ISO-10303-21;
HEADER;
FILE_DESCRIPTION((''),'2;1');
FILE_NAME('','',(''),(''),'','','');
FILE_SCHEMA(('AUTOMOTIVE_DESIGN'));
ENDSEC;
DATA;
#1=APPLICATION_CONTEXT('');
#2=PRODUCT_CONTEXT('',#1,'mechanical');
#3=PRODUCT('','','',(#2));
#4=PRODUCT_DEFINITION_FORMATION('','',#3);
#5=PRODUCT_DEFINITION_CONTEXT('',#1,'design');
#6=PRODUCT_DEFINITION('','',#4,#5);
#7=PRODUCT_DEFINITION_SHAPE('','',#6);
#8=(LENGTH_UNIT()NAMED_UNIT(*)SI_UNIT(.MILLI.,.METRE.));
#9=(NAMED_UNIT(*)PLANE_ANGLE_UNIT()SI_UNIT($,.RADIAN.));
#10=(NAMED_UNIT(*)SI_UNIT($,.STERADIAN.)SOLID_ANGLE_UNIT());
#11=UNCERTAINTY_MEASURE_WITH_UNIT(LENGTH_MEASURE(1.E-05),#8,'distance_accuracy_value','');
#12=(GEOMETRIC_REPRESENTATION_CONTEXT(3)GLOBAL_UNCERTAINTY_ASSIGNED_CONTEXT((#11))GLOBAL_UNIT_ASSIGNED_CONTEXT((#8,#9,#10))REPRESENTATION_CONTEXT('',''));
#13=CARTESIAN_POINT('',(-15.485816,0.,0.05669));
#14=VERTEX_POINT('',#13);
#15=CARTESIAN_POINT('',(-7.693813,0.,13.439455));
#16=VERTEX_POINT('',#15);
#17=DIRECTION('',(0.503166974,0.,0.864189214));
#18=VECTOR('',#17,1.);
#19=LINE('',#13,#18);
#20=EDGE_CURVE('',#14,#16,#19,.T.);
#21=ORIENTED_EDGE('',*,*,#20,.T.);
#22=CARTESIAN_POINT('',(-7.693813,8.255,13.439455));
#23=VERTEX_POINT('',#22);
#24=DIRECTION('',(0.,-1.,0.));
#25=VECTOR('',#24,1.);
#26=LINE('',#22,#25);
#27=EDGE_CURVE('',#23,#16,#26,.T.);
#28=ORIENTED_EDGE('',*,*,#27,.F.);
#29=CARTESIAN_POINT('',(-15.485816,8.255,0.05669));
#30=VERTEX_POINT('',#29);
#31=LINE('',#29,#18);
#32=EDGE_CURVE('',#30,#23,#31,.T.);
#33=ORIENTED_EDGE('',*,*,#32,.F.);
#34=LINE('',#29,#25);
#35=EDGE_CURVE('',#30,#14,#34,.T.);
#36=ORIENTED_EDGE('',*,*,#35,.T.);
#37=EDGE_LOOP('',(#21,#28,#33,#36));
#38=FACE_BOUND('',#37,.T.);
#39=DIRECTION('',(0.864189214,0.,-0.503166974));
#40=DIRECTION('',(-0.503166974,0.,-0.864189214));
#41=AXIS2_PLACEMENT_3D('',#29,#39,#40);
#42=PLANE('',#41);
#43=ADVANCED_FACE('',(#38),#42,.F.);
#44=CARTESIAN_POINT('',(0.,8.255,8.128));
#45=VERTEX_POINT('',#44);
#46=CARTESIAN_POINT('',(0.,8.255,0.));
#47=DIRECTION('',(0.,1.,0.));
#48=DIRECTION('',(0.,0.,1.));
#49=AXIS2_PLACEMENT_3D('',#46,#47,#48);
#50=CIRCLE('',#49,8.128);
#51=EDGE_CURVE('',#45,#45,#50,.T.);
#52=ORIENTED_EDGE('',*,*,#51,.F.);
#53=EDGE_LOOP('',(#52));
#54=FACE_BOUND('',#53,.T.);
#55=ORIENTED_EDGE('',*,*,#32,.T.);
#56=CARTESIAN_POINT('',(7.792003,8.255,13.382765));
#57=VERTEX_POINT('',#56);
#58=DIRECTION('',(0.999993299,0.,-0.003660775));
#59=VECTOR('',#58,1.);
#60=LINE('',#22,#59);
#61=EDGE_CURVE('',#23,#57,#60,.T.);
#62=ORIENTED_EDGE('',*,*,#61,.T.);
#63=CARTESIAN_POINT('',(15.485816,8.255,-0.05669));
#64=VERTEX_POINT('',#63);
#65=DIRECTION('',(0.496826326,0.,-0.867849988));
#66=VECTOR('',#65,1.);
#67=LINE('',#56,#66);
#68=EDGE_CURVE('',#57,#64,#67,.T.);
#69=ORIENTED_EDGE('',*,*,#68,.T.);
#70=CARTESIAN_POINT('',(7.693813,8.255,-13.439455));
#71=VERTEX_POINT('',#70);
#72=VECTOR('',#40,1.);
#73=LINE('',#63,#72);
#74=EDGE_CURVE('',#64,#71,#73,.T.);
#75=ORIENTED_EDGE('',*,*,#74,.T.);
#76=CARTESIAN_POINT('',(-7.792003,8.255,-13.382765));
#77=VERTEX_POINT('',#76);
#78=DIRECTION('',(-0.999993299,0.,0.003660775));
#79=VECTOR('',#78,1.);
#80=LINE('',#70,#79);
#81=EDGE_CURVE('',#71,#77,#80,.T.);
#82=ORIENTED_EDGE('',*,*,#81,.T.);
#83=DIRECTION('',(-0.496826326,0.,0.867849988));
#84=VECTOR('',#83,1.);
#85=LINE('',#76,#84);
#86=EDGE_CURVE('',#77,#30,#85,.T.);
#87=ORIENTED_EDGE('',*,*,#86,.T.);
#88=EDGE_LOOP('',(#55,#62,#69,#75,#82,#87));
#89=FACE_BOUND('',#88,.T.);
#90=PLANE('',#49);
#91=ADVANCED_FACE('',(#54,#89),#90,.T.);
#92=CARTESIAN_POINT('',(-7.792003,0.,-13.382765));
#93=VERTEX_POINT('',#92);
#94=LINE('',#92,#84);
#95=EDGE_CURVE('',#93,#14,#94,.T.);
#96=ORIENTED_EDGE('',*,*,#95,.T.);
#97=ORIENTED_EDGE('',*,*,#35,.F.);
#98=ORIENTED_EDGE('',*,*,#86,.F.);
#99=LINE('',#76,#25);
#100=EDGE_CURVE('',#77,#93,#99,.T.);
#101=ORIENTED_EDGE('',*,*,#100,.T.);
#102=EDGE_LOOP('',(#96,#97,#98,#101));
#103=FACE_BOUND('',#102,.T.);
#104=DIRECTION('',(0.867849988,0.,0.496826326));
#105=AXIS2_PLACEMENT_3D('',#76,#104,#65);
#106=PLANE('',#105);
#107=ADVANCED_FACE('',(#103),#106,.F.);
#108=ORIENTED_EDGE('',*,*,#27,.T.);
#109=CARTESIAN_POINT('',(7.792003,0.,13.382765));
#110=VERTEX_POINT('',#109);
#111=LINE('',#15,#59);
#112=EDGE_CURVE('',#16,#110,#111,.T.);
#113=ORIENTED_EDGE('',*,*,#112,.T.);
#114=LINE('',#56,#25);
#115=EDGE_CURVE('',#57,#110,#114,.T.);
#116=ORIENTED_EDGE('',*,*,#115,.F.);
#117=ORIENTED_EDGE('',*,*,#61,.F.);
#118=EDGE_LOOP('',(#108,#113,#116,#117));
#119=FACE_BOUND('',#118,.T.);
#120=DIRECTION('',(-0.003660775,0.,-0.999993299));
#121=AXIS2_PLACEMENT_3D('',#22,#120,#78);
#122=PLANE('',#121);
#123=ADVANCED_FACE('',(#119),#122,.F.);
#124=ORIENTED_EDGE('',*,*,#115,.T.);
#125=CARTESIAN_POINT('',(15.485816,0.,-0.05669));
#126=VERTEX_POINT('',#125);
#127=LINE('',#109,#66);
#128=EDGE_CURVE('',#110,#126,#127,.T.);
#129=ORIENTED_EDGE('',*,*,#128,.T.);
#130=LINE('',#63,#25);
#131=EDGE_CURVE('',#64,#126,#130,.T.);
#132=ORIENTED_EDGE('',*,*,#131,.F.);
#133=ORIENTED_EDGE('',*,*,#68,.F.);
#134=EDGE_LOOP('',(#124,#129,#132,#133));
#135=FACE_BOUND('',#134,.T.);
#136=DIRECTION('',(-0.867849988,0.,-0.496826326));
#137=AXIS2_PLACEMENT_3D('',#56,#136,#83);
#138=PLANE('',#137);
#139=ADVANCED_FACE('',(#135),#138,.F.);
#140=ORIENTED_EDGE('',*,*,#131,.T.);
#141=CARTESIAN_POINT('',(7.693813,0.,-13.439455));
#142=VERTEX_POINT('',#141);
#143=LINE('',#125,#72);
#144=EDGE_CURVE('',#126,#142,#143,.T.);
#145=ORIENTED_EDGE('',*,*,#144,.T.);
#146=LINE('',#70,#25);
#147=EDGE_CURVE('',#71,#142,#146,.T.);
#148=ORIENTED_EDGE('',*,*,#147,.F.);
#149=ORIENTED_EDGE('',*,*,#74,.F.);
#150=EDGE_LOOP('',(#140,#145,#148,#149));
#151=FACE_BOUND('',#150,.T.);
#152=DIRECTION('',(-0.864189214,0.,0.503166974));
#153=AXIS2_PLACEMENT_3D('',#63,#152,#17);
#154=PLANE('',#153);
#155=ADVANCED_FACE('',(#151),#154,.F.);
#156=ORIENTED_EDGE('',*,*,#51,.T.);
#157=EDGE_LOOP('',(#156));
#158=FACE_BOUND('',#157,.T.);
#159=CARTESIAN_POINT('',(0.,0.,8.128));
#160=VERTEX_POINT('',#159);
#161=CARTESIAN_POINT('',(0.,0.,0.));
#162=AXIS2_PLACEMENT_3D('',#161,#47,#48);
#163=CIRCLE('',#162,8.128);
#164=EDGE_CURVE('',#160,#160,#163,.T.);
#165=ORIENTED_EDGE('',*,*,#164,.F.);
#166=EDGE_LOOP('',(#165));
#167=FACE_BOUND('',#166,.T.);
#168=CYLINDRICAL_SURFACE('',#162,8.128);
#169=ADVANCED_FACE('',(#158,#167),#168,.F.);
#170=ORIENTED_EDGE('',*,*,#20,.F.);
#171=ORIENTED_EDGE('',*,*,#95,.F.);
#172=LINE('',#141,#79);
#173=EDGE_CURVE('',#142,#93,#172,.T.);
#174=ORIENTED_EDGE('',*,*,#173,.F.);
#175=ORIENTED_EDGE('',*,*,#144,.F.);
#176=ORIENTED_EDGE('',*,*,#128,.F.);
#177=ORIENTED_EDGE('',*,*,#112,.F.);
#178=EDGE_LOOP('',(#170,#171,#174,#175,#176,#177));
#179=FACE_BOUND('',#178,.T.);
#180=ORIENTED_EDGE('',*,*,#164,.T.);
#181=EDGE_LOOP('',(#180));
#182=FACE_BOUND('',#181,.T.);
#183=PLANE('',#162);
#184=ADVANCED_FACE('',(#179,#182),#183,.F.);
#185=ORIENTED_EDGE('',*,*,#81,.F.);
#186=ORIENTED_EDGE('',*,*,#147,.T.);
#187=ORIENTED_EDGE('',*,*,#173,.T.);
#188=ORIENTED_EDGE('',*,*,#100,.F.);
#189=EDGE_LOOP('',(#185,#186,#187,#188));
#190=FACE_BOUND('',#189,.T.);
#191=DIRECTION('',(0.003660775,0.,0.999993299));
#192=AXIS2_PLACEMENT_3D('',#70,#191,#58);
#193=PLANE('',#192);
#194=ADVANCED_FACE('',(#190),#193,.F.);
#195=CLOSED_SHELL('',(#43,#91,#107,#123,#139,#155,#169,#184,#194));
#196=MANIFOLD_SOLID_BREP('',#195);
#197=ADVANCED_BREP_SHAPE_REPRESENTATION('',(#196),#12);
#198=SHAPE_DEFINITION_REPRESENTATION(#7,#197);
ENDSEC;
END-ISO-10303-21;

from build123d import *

# Parameters (mm, degrees)
BOSS_EXTRUDE1_DEPTH = 8.255
SKETCH2_R           = 8.128
CUT_EXTRUDE1_DEPTH  = 9.255


with BuildPart() as part:
    # Sketch1 → Boss-Extrude1 (new body)
    with BuildSketch(Plane(origin=(0, 0, 0), x_dir=(1, 0, 0), z_dir=(0, 1, 0))):
        Polygon((7.693812666, 13.439455367), (-7.792003428, 13.382764905), (-15.485816094, -0.056690463), (-7.693812666, -13.439455367), (7.792003428, -13.382764905), (15.485816094, 0.056690463), align=None)
    extrude(amount=BOSS_EXTRUDE1_DEPTH)

    # Sketch2 → Cut-Extrude1 (cut, through all)
    with BuildSketch(Plane(origin=(0, 8.255, 0), x_dir=(1, 0, 0), z_dir=(0, 1, 0))):
        Circle(SKETCH2_R)
    extrude(amount=-CUT_EXTRUDE1_DEPTH, mode=Mode.SUBTRACT)


solid = part.part
